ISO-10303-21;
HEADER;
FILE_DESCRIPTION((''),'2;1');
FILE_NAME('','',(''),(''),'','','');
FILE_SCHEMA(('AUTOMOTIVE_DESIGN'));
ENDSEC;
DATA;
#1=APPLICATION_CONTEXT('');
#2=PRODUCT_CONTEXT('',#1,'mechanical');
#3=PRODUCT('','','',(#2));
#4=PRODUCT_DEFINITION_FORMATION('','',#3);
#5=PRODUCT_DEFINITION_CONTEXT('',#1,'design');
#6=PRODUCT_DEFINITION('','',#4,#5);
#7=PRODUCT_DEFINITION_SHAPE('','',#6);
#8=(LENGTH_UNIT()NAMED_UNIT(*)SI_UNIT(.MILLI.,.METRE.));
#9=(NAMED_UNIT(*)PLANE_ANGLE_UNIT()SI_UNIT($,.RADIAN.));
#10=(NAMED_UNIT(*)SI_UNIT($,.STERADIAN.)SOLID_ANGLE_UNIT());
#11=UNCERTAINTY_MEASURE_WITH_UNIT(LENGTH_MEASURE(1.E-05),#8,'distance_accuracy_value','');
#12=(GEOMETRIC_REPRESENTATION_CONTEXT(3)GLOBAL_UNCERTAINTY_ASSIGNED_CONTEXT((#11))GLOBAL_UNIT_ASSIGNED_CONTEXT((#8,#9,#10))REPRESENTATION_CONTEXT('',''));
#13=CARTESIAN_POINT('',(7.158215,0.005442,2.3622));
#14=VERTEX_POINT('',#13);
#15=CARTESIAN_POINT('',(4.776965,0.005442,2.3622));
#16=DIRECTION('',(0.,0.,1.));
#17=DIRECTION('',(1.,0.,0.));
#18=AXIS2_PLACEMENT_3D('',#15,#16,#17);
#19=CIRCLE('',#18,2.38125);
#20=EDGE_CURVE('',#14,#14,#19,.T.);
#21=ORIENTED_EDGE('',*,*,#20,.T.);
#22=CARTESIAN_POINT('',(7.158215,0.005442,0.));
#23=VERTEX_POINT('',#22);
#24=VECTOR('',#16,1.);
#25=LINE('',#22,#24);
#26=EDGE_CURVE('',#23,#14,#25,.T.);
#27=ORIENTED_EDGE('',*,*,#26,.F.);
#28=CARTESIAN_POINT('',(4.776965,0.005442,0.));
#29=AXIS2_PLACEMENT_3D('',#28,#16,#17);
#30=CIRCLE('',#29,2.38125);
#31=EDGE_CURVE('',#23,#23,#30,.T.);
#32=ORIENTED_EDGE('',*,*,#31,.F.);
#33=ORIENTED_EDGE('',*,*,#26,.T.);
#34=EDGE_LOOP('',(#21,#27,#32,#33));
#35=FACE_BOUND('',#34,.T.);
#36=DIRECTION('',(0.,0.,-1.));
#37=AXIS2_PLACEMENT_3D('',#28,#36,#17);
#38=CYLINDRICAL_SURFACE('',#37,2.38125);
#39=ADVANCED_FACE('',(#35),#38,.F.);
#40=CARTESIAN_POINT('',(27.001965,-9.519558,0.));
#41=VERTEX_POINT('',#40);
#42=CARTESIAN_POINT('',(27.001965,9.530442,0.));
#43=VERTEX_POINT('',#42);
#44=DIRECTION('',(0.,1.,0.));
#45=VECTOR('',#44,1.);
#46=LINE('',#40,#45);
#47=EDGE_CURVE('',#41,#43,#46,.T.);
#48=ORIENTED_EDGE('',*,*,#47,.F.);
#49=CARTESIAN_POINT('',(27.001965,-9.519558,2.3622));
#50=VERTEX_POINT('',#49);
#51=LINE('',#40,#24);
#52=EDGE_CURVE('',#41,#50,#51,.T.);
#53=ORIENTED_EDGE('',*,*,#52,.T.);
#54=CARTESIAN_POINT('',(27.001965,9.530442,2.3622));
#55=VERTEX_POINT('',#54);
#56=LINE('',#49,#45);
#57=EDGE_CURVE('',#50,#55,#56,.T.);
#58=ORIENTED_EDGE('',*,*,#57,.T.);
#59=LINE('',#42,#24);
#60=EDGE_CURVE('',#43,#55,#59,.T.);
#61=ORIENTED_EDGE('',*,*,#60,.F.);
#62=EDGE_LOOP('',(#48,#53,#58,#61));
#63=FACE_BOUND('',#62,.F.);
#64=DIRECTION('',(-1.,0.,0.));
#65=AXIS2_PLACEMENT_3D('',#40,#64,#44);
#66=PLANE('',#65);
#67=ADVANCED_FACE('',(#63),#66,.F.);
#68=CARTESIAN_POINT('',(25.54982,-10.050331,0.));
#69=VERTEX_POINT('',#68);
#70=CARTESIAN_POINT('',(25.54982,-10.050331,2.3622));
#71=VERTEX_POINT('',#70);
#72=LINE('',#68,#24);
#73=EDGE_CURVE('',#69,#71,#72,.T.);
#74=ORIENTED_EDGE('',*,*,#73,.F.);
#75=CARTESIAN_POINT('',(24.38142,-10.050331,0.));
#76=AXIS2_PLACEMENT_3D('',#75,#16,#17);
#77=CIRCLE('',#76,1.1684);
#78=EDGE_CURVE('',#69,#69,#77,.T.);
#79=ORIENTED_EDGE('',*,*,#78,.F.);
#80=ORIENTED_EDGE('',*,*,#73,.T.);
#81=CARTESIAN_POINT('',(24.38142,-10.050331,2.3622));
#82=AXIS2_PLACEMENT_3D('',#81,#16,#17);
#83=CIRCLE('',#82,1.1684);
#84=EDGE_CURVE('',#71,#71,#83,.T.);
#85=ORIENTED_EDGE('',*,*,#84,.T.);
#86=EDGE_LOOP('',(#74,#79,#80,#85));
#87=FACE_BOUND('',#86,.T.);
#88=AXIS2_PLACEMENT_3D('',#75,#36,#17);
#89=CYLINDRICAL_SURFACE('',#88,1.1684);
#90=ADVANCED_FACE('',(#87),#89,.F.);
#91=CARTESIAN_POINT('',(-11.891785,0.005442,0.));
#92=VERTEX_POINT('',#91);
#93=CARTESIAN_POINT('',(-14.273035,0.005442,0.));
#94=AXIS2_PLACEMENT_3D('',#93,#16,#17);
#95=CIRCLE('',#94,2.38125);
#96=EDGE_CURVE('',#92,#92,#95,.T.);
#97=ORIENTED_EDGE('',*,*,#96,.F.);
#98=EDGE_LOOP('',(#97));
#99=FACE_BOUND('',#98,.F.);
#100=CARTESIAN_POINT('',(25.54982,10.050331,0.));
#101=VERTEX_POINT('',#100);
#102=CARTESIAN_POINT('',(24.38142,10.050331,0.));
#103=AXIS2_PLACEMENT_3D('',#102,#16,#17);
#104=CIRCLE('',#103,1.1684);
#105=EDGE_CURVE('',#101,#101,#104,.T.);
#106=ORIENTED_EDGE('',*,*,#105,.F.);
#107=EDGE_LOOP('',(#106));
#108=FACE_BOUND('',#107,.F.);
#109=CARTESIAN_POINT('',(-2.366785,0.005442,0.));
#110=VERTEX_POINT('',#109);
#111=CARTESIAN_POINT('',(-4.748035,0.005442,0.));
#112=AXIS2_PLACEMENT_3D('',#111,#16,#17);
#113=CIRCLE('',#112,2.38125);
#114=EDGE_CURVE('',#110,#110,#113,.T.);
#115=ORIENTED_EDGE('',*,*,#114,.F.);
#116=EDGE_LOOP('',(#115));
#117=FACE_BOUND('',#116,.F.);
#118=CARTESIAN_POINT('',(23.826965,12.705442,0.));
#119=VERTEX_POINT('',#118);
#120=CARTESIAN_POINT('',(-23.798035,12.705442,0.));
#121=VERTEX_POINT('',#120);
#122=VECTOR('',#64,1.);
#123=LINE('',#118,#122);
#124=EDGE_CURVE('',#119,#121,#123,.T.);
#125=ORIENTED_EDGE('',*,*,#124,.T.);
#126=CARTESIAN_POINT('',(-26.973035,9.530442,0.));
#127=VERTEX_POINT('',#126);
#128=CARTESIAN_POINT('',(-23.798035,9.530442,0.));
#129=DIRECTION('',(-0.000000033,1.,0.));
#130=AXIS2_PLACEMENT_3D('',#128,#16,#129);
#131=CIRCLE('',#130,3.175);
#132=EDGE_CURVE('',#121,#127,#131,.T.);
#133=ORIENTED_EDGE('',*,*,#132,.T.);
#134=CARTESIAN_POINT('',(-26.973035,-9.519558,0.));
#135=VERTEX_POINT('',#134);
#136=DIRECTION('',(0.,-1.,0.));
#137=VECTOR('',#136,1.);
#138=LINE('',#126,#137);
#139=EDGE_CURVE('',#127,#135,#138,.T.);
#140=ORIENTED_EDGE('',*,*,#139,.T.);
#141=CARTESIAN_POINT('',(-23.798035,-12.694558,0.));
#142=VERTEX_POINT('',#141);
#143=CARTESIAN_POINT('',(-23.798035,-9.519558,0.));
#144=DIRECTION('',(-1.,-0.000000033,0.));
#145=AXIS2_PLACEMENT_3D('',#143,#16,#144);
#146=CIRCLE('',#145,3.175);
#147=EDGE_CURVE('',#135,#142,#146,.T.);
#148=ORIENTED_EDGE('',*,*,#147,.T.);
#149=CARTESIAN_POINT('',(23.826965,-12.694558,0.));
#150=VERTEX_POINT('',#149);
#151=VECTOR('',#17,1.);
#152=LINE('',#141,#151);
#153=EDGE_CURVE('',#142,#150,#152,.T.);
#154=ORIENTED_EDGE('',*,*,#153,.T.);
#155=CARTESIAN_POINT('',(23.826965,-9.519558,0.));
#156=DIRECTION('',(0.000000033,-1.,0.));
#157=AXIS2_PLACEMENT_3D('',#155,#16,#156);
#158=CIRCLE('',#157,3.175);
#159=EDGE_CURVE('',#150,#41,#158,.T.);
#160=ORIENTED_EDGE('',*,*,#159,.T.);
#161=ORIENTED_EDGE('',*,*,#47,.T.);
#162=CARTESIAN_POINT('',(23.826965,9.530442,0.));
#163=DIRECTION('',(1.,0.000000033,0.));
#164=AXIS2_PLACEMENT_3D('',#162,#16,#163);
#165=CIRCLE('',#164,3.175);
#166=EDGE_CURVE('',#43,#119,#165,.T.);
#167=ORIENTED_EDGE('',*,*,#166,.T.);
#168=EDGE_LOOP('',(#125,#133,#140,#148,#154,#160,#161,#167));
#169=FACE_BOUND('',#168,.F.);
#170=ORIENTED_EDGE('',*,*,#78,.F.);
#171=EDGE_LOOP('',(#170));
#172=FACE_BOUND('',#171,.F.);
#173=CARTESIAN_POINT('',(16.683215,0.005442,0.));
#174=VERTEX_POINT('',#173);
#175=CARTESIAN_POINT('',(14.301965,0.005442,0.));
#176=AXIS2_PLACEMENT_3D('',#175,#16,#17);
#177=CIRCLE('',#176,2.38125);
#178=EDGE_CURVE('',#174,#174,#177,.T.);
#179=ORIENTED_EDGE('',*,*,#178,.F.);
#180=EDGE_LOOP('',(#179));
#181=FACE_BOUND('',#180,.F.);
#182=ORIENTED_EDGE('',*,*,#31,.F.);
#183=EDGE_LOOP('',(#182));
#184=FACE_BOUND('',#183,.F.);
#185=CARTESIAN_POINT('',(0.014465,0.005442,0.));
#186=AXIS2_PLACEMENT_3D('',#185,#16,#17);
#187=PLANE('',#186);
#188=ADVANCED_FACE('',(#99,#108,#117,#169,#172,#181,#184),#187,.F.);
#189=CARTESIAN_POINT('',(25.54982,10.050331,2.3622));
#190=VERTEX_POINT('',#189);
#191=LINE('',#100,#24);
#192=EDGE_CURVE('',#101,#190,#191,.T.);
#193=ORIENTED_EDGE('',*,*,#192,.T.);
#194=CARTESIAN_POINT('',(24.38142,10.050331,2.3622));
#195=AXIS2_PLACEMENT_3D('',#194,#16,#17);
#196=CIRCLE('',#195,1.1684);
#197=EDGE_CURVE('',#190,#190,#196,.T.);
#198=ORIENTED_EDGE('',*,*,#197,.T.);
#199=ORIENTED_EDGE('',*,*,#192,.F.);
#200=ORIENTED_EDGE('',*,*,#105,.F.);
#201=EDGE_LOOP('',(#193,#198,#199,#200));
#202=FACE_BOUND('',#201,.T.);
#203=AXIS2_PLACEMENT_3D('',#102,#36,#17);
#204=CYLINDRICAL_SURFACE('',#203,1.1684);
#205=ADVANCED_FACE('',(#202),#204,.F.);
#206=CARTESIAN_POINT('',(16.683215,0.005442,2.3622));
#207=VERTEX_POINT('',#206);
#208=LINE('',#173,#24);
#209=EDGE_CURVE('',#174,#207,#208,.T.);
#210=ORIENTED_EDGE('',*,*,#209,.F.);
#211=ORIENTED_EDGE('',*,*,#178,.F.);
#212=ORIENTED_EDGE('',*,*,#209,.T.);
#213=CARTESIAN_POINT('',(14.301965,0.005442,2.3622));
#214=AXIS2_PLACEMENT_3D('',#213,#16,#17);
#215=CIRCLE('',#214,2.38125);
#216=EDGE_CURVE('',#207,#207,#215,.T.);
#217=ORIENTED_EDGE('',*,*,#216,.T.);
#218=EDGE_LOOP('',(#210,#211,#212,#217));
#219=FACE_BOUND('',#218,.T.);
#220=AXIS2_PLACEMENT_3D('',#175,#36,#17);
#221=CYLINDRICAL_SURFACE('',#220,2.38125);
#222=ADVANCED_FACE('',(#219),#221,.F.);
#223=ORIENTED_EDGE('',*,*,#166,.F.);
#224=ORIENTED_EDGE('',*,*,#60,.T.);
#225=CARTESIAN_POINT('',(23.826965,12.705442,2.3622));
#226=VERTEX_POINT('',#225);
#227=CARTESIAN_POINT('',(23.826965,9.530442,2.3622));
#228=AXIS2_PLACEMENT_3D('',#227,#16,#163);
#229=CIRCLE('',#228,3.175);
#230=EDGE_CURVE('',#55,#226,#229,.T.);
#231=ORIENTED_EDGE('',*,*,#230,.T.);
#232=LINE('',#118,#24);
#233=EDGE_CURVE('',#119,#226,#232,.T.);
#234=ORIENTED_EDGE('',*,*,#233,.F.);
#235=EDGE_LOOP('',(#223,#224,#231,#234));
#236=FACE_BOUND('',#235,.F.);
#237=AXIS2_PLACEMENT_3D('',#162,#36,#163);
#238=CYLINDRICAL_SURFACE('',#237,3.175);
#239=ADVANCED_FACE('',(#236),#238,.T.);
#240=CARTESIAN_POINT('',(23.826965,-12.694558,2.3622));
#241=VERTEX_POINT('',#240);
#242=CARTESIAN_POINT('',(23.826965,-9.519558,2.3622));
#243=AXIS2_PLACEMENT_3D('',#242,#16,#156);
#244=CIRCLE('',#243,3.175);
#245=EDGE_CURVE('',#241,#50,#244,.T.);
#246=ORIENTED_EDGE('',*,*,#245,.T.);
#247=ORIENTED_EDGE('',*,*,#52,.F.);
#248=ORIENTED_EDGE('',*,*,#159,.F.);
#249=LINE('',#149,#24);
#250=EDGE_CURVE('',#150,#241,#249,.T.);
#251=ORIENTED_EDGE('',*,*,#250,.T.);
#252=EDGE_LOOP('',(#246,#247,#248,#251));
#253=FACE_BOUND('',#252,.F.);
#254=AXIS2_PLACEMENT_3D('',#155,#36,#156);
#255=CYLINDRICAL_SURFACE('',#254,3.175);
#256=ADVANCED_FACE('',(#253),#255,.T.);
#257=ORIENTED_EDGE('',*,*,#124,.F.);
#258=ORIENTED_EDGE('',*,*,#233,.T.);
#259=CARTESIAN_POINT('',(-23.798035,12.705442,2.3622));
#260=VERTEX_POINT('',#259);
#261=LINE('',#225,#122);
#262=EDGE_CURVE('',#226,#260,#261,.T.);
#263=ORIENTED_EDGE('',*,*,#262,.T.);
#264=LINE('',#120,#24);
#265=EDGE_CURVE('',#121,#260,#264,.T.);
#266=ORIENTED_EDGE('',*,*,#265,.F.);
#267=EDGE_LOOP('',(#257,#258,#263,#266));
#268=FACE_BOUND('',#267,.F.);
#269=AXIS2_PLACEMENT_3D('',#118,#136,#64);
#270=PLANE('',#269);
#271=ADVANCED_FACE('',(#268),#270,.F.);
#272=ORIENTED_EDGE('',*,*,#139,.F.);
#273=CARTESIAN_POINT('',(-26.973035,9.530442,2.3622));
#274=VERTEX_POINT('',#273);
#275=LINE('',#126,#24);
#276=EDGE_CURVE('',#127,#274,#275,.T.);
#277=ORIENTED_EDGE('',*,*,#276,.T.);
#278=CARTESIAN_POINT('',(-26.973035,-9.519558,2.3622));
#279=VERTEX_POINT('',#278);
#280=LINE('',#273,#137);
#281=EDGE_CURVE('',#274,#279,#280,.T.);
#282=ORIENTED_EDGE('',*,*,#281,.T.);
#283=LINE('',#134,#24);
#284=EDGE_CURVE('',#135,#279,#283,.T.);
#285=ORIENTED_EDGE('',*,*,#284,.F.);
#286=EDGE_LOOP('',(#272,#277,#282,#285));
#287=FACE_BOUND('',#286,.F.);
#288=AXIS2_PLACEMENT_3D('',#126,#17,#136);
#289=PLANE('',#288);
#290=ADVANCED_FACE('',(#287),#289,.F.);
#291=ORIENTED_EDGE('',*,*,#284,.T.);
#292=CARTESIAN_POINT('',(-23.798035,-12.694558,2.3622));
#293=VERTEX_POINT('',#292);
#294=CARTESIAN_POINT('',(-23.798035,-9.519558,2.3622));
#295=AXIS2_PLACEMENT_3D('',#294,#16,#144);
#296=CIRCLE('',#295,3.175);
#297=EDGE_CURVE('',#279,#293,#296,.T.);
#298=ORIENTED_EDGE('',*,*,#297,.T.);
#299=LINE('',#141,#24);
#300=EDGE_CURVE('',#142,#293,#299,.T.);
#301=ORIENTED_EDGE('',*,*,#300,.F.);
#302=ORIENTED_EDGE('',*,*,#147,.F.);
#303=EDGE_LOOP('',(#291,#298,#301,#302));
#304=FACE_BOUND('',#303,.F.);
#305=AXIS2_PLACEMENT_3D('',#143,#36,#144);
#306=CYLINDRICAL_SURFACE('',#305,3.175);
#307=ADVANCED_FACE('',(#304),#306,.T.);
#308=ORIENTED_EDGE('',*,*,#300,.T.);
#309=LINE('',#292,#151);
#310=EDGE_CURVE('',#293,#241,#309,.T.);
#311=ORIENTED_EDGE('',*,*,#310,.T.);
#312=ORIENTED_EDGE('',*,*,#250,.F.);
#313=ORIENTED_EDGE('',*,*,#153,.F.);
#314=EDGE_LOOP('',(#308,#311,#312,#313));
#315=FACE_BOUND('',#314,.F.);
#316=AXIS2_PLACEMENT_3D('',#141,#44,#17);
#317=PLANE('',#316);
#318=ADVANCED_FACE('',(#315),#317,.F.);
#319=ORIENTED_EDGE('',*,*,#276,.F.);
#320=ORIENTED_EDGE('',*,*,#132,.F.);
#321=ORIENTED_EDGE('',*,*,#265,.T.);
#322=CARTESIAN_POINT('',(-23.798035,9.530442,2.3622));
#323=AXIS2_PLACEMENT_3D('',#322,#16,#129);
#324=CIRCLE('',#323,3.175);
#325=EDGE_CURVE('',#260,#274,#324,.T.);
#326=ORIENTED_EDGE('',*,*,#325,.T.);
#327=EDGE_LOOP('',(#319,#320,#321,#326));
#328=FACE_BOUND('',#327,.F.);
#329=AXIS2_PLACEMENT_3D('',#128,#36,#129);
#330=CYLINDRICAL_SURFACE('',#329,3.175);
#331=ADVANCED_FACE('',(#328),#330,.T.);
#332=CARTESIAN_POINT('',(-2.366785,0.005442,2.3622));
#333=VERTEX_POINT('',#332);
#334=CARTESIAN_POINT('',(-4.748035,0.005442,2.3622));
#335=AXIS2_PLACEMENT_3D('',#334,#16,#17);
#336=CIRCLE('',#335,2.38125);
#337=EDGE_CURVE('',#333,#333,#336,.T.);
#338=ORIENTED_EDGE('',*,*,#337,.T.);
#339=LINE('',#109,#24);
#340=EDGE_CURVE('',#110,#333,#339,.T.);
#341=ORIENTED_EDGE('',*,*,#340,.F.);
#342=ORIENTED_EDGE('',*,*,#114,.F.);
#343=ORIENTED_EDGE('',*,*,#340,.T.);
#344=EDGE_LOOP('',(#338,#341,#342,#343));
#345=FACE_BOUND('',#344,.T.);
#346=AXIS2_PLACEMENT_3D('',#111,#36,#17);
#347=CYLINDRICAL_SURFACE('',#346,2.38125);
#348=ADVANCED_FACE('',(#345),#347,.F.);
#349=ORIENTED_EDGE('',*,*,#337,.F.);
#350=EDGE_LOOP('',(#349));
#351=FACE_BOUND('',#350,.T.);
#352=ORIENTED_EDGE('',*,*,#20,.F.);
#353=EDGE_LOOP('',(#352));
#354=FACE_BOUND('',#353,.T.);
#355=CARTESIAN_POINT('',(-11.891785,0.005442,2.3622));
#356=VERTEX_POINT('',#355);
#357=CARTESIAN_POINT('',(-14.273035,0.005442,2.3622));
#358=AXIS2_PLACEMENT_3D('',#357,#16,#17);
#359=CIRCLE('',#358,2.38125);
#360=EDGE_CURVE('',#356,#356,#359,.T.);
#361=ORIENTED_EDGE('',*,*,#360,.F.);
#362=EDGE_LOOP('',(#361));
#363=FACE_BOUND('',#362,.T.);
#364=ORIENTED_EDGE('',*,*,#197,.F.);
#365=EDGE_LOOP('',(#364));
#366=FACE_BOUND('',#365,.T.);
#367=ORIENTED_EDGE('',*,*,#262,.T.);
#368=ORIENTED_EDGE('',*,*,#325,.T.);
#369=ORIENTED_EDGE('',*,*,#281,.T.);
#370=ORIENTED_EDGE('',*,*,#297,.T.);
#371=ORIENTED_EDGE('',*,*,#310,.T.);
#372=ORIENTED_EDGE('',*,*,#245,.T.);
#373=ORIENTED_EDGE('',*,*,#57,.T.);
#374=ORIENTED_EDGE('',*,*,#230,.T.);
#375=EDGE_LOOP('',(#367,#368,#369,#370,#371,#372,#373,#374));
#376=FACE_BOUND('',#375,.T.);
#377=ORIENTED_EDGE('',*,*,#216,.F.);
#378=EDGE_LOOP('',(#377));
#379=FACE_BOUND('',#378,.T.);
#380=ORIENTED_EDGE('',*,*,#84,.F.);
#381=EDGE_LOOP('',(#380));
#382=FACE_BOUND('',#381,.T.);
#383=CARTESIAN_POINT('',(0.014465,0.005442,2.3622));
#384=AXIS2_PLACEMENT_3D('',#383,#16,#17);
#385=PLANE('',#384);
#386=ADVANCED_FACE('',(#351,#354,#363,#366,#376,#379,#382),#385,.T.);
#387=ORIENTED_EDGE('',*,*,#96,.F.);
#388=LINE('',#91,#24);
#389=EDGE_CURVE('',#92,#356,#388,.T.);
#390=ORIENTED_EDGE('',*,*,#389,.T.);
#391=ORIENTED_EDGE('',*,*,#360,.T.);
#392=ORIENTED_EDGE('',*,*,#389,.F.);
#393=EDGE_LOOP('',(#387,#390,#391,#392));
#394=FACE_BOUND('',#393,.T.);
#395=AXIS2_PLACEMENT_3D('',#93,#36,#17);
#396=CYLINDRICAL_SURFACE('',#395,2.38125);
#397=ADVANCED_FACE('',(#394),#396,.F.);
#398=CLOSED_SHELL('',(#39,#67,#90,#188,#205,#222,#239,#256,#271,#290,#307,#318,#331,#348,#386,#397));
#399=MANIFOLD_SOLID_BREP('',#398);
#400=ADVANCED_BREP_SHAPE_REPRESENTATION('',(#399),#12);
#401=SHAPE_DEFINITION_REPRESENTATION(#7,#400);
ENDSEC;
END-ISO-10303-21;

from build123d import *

# Parameters (mm, degrees)
F0_R     = 2.38125
F0_R_2   = 1.1684
F1_DEPTH = 2.3622


with BuildPart() as f1:
    # F0 (on Top) → F1 (new body)
    with BuildSketch(Plane.XY):
        with BuildLine():
            ThreePointArc((27.001965, 9.530442), (26.072029, 11.775506), (23.826965, 12.705442))
            Line((23.826965, 12.705442), (-23.798035, 12.705442))
            ThreePointArc((-23.798035, 12.705442), (-26.043099, 11.775506), (-26.973035, 9.530442))
            Line((-26.973035, 9.530442), (-26.973035, -9.519558))
            ThreePointArc((-26.973035, -9.519558), (-26.043099, -11.764622), (-23.798035, -12.694558))
            Line((-23.798035, -12.694558), (23.826965, -12.694558))
            ThreePointArc((23.826965, -12.694558), (26.072029, -11.764622), (27.001965, -9.519558))
            Line((27.001965, -9.519558), (27.001965, 9.530442))
        make_face()
        with Locations((-14.273035, 0.005442)):
            Circle(F0_R, mode=Mode.SUBTRACT)
        with Locations((-4.748035, 0.005442)):
            Circle(F0_R, mode=Mode.SUBTRACT)
        with Locations((24.38142, -10.050331)):
            Circle(F0_R_2, mode=Mode.SUBTRACT)
        with Locations((4.776965, 0.005442)):
            Circle(F0_R, mode=Mode.SUBTRACT)
        with Locations((14.301965, 0.005442)):
            Circle(F0_R, mode=Mode.SUBTRACT)
        with Locations((24.38142, 10.050331)):
            Circle(F0_R_2, mode=Mode.SUBTRACT)
    extrude(amount=F1_DEPTH)


solid = f1.part
